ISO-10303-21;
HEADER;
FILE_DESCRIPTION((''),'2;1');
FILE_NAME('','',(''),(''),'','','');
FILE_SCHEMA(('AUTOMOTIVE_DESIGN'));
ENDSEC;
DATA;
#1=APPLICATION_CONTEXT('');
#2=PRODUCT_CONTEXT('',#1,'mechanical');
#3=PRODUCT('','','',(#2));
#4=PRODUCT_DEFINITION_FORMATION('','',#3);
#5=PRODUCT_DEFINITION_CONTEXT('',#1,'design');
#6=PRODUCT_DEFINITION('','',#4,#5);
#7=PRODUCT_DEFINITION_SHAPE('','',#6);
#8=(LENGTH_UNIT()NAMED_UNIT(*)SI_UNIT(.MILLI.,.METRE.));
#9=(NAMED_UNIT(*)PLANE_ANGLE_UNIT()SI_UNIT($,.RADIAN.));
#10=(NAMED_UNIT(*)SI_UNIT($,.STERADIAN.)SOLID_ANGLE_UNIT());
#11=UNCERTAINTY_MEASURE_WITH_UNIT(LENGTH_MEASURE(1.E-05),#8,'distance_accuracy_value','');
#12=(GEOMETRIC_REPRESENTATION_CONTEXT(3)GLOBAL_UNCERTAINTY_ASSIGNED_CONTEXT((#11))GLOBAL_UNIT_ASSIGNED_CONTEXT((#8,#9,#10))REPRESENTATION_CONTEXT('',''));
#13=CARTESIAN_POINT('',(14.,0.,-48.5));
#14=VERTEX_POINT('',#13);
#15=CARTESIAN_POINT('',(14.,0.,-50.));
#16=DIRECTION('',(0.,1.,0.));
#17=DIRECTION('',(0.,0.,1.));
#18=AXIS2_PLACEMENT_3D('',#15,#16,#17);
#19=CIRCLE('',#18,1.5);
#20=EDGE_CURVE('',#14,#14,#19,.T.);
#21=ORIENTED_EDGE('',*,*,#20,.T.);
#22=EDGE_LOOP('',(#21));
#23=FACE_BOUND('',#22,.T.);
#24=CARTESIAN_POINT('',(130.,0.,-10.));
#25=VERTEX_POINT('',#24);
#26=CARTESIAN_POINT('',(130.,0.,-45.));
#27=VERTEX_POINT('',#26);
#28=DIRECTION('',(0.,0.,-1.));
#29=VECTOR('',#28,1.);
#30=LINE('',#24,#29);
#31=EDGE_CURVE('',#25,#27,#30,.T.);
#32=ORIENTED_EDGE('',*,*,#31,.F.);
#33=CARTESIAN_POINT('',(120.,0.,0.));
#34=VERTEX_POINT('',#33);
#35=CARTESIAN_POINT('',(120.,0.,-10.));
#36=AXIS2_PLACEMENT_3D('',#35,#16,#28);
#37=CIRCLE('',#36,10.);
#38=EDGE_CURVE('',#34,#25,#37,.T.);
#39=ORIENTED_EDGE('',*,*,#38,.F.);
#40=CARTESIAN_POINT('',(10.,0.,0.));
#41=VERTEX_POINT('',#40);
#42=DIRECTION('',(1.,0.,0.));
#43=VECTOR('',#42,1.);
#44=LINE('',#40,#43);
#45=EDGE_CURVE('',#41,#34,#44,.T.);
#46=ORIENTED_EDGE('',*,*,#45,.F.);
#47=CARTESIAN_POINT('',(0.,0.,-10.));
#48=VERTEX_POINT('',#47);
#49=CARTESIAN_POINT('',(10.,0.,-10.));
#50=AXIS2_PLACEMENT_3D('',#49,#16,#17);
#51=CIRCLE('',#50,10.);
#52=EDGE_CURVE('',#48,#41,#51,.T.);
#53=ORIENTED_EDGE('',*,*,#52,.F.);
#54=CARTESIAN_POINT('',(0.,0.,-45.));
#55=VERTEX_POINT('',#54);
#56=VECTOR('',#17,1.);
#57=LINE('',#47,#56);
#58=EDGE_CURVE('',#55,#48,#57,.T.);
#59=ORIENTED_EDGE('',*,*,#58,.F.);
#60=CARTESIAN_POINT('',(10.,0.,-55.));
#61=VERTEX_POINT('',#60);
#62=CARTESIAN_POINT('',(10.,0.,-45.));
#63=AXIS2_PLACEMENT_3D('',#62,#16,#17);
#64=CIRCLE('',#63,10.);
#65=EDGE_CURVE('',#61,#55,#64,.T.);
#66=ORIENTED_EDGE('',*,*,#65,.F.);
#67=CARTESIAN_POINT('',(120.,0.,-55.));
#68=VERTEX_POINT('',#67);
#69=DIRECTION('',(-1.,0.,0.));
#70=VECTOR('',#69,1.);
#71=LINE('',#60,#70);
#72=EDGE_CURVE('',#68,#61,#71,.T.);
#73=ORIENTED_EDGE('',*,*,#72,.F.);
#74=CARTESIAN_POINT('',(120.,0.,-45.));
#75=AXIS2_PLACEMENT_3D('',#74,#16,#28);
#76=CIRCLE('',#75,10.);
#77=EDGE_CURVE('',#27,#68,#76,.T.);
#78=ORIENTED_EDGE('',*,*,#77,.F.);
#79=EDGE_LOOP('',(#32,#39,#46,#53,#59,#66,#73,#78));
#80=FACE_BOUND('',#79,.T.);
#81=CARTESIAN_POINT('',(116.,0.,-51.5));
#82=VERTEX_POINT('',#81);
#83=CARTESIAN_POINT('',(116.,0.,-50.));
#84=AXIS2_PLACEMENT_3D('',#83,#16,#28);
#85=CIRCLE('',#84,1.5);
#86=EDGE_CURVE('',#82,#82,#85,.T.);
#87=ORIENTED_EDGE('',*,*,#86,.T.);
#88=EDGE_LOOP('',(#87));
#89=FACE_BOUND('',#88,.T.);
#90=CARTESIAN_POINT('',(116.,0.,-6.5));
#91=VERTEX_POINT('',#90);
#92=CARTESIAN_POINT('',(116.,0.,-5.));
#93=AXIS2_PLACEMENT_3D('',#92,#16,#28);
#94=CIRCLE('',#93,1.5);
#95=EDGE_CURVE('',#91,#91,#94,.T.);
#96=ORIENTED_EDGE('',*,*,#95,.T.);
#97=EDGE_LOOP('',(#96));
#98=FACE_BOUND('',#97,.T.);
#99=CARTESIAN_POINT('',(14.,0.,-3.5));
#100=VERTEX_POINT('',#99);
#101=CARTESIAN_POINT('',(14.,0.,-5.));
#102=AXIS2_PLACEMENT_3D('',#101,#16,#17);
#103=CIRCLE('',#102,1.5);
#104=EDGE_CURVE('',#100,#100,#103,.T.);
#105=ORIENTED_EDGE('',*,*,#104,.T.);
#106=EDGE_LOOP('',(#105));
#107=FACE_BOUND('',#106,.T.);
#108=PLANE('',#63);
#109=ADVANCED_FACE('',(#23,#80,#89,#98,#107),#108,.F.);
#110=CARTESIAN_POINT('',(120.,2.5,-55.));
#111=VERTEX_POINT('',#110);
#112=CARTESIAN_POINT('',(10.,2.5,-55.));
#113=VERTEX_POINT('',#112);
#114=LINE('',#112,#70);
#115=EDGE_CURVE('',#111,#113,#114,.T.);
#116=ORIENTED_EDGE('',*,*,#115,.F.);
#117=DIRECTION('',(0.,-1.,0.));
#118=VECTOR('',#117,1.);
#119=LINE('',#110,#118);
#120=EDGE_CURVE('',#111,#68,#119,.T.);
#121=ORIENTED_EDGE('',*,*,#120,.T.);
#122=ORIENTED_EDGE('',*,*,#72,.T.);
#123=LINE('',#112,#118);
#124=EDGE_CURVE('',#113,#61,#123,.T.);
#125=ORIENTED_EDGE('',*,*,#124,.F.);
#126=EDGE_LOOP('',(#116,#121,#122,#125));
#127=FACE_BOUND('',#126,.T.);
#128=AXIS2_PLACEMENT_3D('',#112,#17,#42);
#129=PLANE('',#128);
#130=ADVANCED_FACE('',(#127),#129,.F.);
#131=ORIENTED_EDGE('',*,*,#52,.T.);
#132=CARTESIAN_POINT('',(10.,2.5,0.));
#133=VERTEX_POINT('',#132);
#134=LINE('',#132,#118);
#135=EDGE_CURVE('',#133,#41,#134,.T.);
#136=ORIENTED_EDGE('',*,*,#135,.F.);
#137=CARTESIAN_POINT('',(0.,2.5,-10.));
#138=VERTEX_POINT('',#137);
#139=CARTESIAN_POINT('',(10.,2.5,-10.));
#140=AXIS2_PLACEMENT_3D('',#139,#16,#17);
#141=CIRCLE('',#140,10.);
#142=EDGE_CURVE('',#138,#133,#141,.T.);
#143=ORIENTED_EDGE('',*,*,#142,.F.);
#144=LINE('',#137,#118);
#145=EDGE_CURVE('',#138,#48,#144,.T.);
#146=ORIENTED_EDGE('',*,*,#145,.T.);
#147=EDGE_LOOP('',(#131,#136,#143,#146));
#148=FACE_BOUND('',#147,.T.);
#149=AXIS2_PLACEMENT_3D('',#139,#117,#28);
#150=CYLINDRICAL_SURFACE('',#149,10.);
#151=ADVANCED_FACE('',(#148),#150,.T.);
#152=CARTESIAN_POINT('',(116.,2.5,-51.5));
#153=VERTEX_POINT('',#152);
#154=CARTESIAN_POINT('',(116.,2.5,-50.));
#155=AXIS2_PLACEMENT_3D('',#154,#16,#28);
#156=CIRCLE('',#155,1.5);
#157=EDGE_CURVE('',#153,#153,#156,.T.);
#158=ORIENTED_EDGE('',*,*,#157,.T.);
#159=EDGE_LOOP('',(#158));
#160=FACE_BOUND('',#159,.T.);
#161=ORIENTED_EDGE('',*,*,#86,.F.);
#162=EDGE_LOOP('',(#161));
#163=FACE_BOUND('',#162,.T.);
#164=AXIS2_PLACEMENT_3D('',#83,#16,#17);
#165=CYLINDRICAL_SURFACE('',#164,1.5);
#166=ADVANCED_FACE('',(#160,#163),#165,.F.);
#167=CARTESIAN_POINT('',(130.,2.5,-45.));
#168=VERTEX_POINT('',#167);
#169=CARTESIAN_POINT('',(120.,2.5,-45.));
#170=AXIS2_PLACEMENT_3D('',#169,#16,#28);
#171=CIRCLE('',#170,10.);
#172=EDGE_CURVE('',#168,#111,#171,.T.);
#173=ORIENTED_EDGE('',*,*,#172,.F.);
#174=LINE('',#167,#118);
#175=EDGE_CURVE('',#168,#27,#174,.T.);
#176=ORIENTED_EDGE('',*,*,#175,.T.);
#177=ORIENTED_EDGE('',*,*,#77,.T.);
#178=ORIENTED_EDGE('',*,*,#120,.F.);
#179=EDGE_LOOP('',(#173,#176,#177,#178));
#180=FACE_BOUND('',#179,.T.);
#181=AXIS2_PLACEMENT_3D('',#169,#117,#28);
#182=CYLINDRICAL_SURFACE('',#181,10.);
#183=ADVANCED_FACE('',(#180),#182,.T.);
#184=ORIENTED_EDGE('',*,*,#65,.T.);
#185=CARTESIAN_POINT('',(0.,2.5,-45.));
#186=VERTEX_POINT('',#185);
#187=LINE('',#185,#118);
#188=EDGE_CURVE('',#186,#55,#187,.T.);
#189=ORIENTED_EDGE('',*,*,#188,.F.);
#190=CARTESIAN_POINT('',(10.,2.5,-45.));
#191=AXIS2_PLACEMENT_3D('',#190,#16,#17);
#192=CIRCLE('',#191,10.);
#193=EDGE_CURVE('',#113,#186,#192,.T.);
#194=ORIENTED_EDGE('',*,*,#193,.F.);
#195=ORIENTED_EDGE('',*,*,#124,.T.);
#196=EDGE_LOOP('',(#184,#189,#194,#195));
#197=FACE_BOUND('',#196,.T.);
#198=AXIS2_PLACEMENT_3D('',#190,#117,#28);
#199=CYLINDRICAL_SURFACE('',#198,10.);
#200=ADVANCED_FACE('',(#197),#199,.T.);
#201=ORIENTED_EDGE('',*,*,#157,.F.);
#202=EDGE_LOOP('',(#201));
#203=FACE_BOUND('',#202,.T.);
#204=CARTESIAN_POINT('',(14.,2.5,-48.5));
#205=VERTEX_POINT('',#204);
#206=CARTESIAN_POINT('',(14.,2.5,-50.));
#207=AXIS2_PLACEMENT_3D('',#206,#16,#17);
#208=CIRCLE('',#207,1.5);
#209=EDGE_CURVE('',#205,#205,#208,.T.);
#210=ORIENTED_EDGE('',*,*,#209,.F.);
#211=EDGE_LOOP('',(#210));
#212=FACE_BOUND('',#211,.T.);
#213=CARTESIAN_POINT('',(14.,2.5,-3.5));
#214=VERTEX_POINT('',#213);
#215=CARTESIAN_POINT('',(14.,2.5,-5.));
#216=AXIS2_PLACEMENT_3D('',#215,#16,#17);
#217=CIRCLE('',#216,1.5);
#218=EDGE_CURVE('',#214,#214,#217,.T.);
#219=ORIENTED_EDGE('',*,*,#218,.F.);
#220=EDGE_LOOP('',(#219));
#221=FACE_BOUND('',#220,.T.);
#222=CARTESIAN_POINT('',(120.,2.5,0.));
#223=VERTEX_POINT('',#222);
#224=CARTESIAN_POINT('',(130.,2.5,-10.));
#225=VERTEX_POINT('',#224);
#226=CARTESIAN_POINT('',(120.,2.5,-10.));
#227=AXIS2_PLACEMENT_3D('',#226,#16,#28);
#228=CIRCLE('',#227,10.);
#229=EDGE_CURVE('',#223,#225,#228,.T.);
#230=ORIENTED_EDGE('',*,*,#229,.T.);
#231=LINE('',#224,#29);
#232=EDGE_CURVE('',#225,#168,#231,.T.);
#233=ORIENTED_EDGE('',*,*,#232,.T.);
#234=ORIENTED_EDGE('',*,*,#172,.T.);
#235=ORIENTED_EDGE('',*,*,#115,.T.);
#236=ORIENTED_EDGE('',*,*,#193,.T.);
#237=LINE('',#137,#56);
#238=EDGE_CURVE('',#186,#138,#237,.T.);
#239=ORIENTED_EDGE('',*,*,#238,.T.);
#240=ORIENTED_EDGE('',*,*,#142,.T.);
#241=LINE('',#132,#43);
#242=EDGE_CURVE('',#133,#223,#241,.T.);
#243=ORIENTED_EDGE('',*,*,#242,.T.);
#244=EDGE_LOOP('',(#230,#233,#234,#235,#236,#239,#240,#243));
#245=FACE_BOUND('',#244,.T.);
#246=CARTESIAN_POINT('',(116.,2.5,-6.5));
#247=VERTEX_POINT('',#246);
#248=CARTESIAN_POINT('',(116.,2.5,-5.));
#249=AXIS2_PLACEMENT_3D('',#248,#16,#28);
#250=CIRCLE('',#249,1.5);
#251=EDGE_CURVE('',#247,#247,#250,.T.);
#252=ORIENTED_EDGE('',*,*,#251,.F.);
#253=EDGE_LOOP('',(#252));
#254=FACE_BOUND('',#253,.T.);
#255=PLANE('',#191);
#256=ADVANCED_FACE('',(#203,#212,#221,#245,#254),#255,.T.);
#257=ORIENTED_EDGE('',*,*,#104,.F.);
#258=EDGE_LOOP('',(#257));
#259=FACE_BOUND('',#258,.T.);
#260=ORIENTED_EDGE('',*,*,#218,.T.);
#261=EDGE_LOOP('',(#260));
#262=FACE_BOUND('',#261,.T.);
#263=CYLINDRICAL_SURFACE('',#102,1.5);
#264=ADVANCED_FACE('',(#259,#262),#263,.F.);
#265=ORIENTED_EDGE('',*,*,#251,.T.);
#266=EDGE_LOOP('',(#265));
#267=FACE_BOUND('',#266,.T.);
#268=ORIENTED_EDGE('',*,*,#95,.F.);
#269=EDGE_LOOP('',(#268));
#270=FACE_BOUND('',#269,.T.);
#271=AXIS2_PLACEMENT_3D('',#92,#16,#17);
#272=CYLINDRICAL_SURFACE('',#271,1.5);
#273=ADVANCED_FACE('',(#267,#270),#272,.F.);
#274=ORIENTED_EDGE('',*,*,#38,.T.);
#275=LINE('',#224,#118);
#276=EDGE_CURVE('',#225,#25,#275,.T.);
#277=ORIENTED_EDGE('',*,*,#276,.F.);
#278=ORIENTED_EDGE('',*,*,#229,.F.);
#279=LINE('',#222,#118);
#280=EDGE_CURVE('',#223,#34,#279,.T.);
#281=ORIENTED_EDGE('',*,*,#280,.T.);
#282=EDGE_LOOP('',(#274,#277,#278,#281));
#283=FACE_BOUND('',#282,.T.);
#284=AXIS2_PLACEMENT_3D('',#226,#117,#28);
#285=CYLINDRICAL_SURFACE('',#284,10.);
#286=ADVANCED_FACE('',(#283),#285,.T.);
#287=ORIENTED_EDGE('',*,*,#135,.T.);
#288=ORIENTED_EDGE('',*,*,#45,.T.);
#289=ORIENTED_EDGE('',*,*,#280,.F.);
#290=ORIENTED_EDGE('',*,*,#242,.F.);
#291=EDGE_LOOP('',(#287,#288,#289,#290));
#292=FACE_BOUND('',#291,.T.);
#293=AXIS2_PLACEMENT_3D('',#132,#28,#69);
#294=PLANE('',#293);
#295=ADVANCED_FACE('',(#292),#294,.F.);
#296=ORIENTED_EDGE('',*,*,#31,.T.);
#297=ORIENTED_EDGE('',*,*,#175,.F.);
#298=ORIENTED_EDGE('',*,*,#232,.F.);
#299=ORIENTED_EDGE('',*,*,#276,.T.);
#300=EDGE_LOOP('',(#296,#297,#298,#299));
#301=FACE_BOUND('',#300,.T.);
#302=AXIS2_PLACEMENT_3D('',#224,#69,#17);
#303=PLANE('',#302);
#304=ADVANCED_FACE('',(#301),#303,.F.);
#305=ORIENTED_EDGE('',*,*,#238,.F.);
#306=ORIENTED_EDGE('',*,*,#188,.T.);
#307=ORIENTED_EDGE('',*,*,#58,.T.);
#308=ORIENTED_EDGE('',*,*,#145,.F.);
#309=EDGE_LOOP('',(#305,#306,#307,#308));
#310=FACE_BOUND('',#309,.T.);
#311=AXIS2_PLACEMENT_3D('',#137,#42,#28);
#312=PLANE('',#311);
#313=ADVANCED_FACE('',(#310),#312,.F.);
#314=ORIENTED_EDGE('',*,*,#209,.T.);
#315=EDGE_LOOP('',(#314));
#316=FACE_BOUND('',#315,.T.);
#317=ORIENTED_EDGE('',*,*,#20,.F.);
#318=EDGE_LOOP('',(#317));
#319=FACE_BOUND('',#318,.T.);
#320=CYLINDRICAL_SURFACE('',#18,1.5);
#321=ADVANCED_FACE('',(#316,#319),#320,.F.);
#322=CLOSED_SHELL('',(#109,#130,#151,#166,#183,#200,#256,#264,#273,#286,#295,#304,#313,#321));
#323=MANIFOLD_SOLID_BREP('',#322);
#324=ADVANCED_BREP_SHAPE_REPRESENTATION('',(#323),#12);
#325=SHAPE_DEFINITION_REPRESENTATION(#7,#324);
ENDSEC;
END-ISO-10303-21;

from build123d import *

# Parameters (mm, degrees)
BOSS_EXTRUDE1_DEPTH = 2.5
SKETCH2_R           = 1.5
CUT_EXTRUDE1_DEPTH  = 3.5


with BuildPart() as part:
    # Sketch1 → Boss-Extrude1 (new body)
    with BuildSketch(Plane(origin=(0, 0, 0), x_dir=(1, 0, 0), z_dir=(0, 1, 0))):
        with BuildLine():
            Line((10, 0), (120, 0))
            ThreePointArc((120, 0), (127.071067812, 2.928932188), (130, 10))
            Line((130, 10), (130, 45))
            ThreePointArc((130, 45), (127.071067812, 52.071067812), (120, 55))
            Line((120, 55), (10, 55))
            ThreePointArc((10, 55), (2.928932188, 52.071067812), (0, 45))
            Line((0, 45), (0, 10))
            ThreePointArc((0, 10), (2.928932188, 2.928932188), (10, 0))
        make_face()
    extrude(amount=BOSS_EXTRUDE1_DEPTH)

    # Sketch2 → Cut-Extrude1 (cut, through all)
    with BuildSketch(Plane(origin=(0, 2.5, 0), x_dir=(1, 0, 0), z_dir=(0, 1, 0))):
        with Locations((14, 5)):
            Circle(SKETCH2_R)
        with Locations((14, 50)):
            Circle(SKETCH2_R)
        with Locations((116, 5)):
            Circle(SKETCH2_R)
        with Locations((116, 50)):
            Circle(SKETCH2_R)
    extrude(amount=-CUT_EXTRUDE1_DEPTH, mode=Mode.SUBTRACT)


solid = part.part
